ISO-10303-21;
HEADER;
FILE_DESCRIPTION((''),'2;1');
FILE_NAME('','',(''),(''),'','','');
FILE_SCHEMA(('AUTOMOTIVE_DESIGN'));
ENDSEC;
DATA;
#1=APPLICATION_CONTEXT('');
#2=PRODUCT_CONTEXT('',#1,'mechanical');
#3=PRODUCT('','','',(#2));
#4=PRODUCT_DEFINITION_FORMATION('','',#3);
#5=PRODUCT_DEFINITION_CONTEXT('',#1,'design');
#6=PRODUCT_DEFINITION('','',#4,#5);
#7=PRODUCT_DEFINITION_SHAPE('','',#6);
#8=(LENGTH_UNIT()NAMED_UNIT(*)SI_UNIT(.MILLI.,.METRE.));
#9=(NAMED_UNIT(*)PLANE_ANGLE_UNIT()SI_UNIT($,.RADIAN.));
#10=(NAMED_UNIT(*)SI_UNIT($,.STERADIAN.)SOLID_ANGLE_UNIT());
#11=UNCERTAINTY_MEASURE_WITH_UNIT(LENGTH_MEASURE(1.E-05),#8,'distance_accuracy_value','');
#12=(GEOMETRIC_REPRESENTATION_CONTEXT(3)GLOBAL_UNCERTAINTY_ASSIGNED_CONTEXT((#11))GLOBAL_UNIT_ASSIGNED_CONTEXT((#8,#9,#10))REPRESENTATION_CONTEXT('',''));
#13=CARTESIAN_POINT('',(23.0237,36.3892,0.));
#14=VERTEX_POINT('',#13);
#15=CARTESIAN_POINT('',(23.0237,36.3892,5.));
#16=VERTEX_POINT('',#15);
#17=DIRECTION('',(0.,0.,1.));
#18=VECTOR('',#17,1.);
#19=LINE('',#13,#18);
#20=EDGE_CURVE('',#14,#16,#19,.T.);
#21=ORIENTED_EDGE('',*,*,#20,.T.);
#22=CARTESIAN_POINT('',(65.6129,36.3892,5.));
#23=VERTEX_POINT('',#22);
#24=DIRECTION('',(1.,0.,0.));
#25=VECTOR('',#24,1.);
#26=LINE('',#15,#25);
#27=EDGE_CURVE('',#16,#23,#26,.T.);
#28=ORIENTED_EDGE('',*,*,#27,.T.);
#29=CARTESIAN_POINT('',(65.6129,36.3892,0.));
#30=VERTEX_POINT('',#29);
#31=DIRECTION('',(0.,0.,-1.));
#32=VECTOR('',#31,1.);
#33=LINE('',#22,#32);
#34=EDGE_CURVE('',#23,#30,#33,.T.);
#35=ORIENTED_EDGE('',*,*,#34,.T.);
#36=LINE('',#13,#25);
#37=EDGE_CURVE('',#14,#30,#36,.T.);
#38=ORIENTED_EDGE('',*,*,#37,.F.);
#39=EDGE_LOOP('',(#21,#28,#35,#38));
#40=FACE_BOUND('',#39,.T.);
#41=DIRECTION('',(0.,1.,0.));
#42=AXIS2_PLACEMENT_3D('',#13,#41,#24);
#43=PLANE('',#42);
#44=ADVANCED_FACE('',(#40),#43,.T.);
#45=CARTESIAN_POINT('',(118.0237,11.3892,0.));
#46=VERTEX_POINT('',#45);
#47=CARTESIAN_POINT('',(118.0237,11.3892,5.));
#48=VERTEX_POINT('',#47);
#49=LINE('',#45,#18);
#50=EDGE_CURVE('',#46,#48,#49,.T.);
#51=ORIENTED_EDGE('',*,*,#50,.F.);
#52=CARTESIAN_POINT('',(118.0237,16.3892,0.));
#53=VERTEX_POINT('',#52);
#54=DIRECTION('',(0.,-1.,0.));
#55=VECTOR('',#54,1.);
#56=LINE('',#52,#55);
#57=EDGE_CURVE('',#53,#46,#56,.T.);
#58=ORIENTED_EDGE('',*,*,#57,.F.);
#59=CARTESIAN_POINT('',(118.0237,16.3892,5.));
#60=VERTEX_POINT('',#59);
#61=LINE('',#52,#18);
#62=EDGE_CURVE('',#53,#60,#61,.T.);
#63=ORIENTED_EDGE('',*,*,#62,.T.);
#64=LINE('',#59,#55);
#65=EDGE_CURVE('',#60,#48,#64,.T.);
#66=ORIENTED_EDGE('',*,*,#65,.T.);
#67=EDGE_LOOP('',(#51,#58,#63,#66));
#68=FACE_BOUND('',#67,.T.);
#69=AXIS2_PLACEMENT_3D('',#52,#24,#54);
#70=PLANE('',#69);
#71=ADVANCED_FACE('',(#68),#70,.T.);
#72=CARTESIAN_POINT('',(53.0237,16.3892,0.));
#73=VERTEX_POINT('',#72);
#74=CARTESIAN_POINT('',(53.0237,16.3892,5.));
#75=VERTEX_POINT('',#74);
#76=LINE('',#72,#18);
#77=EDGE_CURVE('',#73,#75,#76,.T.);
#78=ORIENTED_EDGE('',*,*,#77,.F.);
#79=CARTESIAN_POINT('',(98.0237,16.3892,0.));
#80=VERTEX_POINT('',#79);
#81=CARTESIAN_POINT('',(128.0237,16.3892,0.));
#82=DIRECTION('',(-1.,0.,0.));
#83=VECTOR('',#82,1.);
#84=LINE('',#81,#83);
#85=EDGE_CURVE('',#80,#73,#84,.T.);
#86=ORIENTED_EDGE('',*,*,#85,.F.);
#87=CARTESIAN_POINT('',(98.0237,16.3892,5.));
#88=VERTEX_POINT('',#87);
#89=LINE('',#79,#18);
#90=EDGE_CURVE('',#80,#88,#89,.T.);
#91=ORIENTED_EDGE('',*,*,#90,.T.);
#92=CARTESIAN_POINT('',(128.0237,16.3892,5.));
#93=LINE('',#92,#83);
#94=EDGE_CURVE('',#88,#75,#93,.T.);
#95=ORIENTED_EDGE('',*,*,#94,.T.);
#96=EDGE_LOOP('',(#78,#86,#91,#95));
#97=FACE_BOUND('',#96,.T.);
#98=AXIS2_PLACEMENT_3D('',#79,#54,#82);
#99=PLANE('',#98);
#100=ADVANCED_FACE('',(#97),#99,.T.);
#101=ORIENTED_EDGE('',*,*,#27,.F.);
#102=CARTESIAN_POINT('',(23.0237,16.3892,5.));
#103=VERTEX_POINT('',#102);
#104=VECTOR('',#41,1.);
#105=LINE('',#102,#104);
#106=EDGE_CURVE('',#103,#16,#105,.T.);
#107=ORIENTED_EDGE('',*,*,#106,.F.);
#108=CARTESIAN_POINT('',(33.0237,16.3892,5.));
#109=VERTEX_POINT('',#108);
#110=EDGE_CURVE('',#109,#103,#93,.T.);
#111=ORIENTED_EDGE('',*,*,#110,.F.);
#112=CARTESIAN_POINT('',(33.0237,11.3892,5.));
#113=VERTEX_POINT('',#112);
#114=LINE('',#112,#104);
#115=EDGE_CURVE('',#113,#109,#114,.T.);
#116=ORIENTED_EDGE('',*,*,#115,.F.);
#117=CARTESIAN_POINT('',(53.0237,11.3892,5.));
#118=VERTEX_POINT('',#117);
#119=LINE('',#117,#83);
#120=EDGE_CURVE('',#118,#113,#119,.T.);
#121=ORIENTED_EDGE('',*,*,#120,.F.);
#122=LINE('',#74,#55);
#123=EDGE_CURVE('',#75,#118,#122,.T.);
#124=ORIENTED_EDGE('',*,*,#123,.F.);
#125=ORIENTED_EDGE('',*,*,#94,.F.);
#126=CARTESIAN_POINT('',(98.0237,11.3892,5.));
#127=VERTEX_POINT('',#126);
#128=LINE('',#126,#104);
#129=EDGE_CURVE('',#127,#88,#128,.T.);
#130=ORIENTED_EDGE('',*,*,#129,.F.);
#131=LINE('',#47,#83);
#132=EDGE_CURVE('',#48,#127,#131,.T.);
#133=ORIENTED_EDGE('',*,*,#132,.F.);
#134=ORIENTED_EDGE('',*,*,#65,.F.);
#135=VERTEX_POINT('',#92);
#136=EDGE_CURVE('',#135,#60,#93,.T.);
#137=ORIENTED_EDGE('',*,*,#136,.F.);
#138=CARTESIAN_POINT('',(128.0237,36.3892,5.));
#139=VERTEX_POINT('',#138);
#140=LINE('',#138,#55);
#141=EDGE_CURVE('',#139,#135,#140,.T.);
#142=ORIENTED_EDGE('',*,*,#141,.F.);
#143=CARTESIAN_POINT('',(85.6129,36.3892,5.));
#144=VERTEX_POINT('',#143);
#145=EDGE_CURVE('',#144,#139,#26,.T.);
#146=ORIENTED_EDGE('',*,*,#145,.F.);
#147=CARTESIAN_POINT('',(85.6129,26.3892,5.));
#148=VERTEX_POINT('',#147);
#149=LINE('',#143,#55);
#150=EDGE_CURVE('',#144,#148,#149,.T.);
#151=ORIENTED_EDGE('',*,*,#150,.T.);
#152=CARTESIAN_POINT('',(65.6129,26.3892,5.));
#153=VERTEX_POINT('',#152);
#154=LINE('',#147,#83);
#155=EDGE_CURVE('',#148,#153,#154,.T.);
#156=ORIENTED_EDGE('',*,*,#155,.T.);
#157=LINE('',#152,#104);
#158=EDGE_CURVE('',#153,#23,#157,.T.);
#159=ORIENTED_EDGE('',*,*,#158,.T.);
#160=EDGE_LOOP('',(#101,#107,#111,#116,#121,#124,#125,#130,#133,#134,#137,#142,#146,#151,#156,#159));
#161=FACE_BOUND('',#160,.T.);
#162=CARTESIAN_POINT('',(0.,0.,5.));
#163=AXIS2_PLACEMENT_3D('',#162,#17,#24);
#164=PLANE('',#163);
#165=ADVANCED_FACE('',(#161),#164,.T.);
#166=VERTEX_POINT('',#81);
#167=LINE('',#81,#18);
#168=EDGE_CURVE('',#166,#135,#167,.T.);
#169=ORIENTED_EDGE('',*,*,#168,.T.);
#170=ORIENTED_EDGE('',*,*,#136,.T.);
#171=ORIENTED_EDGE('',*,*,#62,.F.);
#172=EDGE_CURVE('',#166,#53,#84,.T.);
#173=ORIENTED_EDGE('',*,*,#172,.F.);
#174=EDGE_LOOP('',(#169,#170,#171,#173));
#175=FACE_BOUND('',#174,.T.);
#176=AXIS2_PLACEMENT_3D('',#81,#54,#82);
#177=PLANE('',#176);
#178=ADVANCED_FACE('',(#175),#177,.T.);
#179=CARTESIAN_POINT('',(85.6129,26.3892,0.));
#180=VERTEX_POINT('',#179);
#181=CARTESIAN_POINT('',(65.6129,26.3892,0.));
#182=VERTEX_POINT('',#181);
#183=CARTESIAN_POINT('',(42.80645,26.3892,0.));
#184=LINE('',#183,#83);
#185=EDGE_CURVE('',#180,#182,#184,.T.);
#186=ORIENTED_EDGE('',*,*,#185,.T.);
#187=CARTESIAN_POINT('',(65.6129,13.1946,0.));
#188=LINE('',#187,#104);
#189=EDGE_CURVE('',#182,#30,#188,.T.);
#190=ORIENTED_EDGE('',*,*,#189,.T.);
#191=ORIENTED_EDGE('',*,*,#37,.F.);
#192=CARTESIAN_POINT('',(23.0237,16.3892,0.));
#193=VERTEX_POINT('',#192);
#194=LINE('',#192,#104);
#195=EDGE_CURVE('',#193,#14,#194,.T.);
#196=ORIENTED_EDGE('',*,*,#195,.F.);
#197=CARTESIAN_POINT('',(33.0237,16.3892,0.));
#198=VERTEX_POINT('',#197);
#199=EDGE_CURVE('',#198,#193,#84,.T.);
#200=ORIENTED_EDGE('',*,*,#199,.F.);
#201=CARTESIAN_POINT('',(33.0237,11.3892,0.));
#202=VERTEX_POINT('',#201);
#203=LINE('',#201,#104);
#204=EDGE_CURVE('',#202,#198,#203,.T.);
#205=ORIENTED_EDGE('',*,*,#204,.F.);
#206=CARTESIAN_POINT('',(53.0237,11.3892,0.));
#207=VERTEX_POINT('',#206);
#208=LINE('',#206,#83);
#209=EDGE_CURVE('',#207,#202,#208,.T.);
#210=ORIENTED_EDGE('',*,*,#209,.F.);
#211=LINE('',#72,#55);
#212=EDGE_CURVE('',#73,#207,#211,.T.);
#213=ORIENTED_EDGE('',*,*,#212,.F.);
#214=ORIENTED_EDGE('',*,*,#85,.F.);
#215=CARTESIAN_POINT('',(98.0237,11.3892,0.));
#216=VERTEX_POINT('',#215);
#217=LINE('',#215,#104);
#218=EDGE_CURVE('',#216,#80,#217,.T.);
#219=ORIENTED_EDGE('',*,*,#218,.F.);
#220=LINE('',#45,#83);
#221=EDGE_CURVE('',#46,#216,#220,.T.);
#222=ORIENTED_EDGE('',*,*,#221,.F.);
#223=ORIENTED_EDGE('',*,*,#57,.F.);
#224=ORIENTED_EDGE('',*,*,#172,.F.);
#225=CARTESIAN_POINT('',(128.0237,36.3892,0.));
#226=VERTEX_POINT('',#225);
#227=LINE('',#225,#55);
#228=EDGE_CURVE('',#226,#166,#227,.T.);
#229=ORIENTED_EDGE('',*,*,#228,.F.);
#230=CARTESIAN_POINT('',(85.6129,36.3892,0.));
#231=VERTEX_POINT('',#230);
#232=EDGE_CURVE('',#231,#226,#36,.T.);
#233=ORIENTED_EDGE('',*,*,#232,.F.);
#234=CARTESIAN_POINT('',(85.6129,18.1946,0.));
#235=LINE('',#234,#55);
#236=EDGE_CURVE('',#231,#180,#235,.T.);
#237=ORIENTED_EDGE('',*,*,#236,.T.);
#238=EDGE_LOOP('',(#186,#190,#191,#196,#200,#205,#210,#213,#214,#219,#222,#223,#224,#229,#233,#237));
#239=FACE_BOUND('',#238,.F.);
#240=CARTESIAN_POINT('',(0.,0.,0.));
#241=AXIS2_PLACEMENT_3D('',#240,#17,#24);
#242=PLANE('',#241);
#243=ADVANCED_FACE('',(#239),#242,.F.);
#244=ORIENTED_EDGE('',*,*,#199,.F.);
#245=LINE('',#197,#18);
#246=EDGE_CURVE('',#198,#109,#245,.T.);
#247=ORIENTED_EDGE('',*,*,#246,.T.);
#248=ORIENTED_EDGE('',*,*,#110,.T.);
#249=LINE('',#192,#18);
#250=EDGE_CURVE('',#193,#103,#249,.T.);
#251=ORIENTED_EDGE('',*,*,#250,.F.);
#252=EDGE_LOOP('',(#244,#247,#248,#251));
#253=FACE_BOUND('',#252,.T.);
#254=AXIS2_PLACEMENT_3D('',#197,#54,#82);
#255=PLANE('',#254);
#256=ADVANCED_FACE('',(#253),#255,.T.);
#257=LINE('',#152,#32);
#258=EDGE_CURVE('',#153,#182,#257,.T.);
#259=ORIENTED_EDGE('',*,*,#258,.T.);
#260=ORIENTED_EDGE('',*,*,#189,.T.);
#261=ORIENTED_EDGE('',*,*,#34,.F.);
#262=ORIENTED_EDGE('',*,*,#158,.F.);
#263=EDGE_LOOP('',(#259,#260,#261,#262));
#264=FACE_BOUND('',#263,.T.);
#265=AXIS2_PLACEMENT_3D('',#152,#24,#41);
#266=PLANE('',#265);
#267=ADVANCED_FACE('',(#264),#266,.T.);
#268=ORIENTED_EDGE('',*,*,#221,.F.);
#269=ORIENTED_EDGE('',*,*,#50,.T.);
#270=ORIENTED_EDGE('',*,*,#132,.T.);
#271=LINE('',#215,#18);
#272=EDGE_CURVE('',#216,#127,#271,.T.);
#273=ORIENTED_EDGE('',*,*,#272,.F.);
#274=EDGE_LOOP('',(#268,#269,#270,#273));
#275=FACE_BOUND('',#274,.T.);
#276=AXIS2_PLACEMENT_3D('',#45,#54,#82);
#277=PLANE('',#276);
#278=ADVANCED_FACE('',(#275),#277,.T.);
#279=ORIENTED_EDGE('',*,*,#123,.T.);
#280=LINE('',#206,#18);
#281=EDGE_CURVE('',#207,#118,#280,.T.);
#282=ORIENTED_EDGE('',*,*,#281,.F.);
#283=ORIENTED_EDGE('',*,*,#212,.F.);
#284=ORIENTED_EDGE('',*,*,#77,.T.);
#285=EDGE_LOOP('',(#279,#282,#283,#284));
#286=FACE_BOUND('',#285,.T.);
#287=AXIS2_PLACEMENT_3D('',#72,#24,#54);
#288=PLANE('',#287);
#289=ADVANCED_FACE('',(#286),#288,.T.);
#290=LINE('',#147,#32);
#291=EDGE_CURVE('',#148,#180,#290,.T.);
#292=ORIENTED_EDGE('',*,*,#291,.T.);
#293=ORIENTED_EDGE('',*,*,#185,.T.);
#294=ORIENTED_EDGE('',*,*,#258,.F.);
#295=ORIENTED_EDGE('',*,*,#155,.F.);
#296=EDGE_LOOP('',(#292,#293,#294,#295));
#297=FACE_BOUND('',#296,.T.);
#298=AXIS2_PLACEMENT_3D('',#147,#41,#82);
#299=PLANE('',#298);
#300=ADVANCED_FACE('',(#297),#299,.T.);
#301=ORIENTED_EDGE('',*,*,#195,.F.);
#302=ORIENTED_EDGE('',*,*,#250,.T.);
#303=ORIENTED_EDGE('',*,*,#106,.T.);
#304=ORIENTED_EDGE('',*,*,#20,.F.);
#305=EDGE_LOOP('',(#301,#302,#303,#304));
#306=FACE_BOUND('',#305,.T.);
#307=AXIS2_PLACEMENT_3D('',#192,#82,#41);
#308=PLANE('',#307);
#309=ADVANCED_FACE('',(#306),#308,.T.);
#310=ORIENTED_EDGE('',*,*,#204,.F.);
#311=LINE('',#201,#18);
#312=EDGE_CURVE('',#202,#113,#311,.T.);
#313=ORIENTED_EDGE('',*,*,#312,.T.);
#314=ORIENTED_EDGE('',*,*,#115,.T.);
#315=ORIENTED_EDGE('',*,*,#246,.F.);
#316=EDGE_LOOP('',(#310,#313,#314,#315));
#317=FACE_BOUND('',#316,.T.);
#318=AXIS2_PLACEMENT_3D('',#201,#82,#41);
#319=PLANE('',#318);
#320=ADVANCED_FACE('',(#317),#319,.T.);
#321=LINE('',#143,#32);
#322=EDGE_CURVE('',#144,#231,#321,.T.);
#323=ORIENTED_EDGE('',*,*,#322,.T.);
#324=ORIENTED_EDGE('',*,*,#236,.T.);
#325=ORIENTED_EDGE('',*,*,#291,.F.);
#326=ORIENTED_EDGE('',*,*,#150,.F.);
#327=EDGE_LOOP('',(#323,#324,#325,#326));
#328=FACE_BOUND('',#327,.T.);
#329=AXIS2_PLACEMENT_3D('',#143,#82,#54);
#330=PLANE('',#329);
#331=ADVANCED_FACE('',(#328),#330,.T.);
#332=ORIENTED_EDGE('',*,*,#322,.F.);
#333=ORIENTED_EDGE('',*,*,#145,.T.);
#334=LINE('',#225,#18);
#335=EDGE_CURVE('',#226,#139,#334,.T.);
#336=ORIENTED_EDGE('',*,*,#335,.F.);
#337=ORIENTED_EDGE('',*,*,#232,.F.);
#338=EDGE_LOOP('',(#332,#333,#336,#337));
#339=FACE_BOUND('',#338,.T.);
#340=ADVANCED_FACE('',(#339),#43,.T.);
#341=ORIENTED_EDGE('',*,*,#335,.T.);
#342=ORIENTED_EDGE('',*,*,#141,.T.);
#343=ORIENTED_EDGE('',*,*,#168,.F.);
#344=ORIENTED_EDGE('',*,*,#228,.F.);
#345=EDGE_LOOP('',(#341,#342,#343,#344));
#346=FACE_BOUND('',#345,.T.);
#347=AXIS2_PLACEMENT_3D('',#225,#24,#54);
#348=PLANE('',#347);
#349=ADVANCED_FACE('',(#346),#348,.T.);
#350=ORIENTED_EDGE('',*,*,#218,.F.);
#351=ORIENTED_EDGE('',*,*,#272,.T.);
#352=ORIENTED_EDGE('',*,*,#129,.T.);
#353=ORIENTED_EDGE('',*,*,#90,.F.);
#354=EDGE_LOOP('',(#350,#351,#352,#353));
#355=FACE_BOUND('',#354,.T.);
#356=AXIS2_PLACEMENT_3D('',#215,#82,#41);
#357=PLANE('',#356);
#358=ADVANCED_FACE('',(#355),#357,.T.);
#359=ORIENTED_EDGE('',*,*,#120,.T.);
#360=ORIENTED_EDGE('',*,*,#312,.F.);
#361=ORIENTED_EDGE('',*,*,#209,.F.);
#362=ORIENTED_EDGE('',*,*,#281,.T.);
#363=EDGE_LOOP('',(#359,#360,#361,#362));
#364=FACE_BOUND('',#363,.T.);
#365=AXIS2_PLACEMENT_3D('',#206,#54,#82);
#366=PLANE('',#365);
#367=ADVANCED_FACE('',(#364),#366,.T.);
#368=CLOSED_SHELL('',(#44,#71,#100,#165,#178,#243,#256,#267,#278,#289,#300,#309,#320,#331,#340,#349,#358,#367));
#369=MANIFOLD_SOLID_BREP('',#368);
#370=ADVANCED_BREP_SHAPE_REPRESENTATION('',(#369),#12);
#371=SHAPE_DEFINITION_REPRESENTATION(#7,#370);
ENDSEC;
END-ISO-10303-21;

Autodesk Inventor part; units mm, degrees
ref_plane "YZ Plane" through (0, 0, 0) normal (1, 0, 0) x (0, 1, 0)
ref_plane "XZ Plane" through (0, 0, 0) normal (0, 1, 0) x (-1, 0, 0)
ref_plane "XY Plane" through (0, 0, 0) normal (0, 0, 1) x (1, 0, 0)
sketch "Sketch1" plane through (0, 0, 0) normal (0, 0, 1) x (1, 0, 0)
  line L0 (23.0237, 36.3892) -> (128.0237, 36.3892)
  line L1 (128.0237, 36.3892) -> (128.0237, 16.3892)
  line L2 (128.0237, 16.3892) -> (23.0237, 16.3892)
  line L3 (23.0237, 16.3892) -> (23.0237, 36.3892)
  line L4 (33.0237, 16.3892) -> (53.0237, 16.3892)
  line L5 (53.0237, 16.3892) -> (53.0237, 11.3892)
  line L6 (53.0237, 11.3892) -> (33.0237, 11.3892)
  line L7 (33.0237, 11.3892) -> (33.0237, 16.3892)
  line L8 (98.0237, 16.3892) -> (118.0237, 16.3892)
  line L9 (118.0237, 16.3892) -> (118.0237, 11.3892)
  line L10 (118.0237, 11.3892) -> (98.0237, 11.3892)
  line L11 (98.0237, 11.3892) -> (98.0237, 16.3892)
  point P0 (0, 0)
  point P1 (33.0237, 13.8892)
  dimension "d0" = 105
  dimension "d1" = 20
  dimension "d2" = 20
  dimension "d3" = 5
  dimension "d4" = 20
  dimension "d5" = 5
  dimension "d6" = 10
  dimension "d7" = 10
extrude "Extrusion1" add sketch "Sketch1" along normal blind 5
sketch "Sketch2" plane through (0, 0, 5) normal (0, 0, 1) x (1, 0, 0)
  line L0 (128.0237, 36.3892) -> (23.0237, 36.3892) projected
  line L1 (65.6129, 36.3892) -> (85.6129, 36.3892)
  line L2 (85.6129, 36.3892) -> (85.6129, 26.3892)
  line L3 (85.6129, 26.3892) -> (65.6129, 26.3892)
  line L4 (65.6129, 26.3892) -> (65.6129, 36.3892)
  point P0 (0, 0)
  dimension "d10" = 20
  dimension "d11" = 10
extrude "Extrusion2" cut sketch "Sketch2" against normal blind 10
properties part number "inslide3"
